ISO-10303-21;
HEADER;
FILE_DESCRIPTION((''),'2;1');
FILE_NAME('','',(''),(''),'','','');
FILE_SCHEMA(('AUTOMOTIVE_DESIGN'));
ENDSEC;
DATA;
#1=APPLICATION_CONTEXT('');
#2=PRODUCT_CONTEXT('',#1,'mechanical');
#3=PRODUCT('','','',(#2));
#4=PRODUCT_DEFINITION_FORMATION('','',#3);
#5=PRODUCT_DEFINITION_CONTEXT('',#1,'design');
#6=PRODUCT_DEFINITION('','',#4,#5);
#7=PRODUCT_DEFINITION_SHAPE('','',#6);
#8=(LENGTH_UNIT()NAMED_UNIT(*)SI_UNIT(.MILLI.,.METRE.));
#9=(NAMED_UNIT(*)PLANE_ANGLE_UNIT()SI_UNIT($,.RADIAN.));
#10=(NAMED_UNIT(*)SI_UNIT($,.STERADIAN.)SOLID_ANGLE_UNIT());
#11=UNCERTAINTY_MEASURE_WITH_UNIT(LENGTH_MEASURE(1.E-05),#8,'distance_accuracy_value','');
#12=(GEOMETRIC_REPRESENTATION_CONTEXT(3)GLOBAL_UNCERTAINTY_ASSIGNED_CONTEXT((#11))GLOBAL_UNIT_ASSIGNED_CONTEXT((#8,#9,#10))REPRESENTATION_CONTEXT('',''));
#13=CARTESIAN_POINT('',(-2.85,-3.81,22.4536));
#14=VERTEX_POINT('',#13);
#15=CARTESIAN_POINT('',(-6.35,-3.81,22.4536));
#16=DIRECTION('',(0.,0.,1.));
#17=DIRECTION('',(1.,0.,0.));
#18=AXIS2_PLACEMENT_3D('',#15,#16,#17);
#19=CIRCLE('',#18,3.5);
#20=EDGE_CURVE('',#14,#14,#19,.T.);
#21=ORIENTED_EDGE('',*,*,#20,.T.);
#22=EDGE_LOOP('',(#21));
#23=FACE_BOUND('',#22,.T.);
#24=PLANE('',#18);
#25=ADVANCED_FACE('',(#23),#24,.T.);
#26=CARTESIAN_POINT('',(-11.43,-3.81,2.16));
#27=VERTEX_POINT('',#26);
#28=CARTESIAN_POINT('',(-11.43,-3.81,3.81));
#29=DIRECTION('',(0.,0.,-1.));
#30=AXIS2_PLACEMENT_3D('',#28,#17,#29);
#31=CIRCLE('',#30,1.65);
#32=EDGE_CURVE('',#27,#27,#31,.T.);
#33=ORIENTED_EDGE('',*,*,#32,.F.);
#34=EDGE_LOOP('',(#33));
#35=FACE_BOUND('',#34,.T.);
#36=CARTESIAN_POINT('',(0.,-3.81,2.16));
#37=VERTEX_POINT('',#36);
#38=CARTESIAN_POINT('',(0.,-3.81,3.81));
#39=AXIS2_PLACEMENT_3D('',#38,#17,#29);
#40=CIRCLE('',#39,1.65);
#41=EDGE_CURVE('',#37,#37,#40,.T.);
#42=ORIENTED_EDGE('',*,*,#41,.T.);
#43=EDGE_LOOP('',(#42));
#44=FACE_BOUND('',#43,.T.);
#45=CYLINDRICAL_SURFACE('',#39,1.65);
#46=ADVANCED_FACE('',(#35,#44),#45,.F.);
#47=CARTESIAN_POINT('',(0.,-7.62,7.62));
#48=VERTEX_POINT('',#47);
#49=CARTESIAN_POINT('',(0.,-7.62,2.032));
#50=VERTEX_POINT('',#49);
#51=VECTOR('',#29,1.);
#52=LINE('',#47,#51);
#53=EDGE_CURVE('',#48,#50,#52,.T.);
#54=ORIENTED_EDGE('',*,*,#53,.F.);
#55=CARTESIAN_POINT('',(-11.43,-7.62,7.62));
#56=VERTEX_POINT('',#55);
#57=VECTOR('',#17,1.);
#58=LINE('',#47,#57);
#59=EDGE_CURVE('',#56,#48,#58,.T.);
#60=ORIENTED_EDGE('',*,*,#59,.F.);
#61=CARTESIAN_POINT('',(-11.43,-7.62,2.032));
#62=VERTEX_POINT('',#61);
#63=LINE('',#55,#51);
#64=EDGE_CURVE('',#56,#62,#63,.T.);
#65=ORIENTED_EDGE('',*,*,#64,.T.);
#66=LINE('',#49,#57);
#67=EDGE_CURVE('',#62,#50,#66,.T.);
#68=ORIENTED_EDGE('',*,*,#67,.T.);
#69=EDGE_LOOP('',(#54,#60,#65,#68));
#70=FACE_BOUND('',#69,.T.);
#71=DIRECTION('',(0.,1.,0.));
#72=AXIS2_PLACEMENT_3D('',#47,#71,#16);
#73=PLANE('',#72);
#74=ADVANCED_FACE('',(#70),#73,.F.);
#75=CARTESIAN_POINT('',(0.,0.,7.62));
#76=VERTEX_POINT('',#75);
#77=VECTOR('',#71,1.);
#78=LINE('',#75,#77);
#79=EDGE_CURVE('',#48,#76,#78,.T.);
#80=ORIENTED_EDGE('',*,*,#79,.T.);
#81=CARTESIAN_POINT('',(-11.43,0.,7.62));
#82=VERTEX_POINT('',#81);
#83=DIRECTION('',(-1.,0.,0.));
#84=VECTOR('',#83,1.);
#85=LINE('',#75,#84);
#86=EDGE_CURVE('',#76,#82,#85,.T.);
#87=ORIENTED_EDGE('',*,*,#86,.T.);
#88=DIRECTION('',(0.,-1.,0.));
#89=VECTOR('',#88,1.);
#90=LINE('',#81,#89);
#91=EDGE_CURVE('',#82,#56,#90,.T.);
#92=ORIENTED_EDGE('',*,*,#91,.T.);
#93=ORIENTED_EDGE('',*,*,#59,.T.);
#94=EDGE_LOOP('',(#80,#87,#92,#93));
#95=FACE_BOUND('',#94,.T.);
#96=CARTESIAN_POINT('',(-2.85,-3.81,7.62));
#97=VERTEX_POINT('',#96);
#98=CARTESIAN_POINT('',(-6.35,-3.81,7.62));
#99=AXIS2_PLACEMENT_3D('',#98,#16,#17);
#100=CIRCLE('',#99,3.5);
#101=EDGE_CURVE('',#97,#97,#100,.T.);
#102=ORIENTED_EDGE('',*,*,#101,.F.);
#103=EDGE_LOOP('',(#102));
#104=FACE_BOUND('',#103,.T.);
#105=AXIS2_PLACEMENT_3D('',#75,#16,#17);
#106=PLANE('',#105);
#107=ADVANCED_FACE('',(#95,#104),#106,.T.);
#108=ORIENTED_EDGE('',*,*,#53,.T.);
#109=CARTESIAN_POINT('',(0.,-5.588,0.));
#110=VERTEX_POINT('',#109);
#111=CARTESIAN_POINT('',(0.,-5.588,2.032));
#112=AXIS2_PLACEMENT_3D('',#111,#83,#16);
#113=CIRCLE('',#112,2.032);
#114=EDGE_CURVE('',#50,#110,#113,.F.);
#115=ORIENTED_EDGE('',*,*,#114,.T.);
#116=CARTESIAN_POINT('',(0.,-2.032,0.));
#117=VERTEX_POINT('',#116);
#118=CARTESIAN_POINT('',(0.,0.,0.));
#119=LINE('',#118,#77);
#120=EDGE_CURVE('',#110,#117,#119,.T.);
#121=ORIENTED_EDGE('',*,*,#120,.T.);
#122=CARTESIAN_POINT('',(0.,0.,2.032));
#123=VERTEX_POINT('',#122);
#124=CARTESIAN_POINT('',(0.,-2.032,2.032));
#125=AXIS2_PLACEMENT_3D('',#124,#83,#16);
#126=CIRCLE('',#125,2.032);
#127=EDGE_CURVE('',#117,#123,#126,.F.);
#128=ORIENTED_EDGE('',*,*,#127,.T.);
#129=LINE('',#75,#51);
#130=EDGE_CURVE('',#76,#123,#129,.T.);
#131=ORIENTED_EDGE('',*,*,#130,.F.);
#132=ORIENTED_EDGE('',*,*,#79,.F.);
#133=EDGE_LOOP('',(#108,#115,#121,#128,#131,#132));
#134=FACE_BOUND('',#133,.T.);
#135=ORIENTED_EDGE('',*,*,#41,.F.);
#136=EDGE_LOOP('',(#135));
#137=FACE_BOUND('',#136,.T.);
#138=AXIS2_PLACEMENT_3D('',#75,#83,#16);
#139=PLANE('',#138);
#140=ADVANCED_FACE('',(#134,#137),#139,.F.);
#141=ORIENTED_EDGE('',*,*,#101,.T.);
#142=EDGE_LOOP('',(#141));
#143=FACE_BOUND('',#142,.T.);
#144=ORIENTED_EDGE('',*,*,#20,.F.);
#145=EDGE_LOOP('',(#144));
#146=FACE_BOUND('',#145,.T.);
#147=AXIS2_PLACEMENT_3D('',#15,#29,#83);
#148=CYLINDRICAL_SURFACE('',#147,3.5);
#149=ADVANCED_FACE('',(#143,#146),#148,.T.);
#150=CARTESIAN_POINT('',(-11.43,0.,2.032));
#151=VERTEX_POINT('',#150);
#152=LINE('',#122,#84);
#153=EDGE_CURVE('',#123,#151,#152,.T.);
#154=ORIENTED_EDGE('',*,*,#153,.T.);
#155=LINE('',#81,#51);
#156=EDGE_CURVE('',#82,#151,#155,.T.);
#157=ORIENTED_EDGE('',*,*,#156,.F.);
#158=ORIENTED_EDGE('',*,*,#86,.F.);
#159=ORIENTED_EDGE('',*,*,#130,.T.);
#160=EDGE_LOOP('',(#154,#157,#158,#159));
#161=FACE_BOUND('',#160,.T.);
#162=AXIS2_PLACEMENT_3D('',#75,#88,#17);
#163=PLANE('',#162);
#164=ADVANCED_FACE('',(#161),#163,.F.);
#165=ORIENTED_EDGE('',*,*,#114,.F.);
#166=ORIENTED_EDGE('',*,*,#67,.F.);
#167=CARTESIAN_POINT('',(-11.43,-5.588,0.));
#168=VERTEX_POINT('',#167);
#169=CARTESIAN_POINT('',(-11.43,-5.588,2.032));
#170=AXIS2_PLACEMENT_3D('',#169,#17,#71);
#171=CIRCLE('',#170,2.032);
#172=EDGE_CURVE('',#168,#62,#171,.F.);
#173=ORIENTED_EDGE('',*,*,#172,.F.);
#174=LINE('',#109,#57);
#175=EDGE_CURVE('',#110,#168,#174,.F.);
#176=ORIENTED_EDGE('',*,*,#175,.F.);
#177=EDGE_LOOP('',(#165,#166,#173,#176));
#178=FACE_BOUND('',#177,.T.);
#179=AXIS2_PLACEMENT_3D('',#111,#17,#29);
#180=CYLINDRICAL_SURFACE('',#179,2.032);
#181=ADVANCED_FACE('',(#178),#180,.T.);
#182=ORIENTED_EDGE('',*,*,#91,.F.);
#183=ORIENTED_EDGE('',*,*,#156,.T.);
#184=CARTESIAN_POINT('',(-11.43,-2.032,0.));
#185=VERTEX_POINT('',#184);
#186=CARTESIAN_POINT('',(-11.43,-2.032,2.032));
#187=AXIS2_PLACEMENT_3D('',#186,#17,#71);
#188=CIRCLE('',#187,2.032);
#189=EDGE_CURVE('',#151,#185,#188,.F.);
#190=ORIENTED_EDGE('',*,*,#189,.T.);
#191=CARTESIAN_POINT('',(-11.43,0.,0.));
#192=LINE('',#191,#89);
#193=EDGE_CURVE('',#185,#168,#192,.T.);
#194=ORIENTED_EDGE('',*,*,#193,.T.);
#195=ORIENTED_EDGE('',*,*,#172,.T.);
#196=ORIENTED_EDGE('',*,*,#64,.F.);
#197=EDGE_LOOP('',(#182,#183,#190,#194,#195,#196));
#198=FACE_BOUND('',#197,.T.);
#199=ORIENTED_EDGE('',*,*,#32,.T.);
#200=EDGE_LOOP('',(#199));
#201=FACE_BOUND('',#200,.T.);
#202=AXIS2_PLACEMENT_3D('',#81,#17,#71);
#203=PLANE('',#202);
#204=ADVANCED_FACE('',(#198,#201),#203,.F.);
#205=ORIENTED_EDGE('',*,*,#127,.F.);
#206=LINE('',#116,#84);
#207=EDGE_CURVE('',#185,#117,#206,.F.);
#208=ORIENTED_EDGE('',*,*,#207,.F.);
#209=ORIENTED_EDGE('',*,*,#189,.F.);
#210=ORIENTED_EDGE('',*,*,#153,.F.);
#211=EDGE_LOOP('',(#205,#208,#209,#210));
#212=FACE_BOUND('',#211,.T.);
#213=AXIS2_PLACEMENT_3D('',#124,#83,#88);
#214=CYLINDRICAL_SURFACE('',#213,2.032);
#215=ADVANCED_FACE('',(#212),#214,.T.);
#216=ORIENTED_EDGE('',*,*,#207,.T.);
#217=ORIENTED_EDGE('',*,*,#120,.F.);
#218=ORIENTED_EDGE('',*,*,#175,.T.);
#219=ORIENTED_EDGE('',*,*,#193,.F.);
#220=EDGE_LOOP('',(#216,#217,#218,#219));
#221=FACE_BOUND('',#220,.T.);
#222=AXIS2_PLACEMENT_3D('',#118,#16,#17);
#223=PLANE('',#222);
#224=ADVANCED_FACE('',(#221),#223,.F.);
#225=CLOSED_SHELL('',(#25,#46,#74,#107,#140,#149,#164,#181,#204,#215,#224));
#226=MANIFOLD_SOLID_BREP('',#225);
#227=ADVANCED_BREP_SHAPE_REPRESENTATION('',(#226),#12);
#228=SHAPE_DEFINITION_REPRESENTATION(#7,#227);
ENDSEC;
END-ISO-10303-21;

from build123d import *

# Parameters (mm, degrees)
SKETCH1_W                   = 7.62
SKETCH1_H                   = 11.43
BOSS_EXTRUDE1_DEPTH         = 7.62
SKETCH2_R                   = 3.499999985
BOSS_EXTRUDE2_DEPTH         = 14.8336
TAP_DRILL_FOR_M4X0_7_TAP1_D = 3.3
FILLET1_R                   = 2.032


with BuildPart() as part:
    # Sketch1 → Boss-Extrude1 (new body)
    with BuildSketch(Plane(origin=(0, 0, 0), x_dir=(0, 1, 0), z_dir=(0, 0, 1))):
        with Locations((-3.81, 5.715)):
            Rectangle(SKETCH1_W, SKETCH1_H)
    extrude(amount=BOSS_EXTRUDE1_DEPTH)

    # Sketch2 → Boss-Extrude2 (add)
    with BuildSketch(Plane.XY.offset(7.62)):
        with Locations((-6.35, -3.81)):
            Circle(SKETCH2_R)
    extrude(amount=BOSS_EXTRUDE2_DEPTH)

    # Tap Drill for M4x0.7 Tap1 (through all)
    with Locations(Plane(origin=(0, 0, 0), x_dir=(0, 0, -1), z_dir=(1, 0, 0))):
        with Locations((-3.81, -3.81)):
            Hole(TAP_DRILL_FOR_M4X0_7_TAP1_D / 2)

    # Fillet1
    fillet1_edges = [part.edges().sort_by_distance(p)[0] for p in [
        (-5.715, -7.62, 0),
        (-5.715, 0, 0),
    ]]
    fillet(fillet1_edges, radius=FILLET1_R)


solid = part.part
